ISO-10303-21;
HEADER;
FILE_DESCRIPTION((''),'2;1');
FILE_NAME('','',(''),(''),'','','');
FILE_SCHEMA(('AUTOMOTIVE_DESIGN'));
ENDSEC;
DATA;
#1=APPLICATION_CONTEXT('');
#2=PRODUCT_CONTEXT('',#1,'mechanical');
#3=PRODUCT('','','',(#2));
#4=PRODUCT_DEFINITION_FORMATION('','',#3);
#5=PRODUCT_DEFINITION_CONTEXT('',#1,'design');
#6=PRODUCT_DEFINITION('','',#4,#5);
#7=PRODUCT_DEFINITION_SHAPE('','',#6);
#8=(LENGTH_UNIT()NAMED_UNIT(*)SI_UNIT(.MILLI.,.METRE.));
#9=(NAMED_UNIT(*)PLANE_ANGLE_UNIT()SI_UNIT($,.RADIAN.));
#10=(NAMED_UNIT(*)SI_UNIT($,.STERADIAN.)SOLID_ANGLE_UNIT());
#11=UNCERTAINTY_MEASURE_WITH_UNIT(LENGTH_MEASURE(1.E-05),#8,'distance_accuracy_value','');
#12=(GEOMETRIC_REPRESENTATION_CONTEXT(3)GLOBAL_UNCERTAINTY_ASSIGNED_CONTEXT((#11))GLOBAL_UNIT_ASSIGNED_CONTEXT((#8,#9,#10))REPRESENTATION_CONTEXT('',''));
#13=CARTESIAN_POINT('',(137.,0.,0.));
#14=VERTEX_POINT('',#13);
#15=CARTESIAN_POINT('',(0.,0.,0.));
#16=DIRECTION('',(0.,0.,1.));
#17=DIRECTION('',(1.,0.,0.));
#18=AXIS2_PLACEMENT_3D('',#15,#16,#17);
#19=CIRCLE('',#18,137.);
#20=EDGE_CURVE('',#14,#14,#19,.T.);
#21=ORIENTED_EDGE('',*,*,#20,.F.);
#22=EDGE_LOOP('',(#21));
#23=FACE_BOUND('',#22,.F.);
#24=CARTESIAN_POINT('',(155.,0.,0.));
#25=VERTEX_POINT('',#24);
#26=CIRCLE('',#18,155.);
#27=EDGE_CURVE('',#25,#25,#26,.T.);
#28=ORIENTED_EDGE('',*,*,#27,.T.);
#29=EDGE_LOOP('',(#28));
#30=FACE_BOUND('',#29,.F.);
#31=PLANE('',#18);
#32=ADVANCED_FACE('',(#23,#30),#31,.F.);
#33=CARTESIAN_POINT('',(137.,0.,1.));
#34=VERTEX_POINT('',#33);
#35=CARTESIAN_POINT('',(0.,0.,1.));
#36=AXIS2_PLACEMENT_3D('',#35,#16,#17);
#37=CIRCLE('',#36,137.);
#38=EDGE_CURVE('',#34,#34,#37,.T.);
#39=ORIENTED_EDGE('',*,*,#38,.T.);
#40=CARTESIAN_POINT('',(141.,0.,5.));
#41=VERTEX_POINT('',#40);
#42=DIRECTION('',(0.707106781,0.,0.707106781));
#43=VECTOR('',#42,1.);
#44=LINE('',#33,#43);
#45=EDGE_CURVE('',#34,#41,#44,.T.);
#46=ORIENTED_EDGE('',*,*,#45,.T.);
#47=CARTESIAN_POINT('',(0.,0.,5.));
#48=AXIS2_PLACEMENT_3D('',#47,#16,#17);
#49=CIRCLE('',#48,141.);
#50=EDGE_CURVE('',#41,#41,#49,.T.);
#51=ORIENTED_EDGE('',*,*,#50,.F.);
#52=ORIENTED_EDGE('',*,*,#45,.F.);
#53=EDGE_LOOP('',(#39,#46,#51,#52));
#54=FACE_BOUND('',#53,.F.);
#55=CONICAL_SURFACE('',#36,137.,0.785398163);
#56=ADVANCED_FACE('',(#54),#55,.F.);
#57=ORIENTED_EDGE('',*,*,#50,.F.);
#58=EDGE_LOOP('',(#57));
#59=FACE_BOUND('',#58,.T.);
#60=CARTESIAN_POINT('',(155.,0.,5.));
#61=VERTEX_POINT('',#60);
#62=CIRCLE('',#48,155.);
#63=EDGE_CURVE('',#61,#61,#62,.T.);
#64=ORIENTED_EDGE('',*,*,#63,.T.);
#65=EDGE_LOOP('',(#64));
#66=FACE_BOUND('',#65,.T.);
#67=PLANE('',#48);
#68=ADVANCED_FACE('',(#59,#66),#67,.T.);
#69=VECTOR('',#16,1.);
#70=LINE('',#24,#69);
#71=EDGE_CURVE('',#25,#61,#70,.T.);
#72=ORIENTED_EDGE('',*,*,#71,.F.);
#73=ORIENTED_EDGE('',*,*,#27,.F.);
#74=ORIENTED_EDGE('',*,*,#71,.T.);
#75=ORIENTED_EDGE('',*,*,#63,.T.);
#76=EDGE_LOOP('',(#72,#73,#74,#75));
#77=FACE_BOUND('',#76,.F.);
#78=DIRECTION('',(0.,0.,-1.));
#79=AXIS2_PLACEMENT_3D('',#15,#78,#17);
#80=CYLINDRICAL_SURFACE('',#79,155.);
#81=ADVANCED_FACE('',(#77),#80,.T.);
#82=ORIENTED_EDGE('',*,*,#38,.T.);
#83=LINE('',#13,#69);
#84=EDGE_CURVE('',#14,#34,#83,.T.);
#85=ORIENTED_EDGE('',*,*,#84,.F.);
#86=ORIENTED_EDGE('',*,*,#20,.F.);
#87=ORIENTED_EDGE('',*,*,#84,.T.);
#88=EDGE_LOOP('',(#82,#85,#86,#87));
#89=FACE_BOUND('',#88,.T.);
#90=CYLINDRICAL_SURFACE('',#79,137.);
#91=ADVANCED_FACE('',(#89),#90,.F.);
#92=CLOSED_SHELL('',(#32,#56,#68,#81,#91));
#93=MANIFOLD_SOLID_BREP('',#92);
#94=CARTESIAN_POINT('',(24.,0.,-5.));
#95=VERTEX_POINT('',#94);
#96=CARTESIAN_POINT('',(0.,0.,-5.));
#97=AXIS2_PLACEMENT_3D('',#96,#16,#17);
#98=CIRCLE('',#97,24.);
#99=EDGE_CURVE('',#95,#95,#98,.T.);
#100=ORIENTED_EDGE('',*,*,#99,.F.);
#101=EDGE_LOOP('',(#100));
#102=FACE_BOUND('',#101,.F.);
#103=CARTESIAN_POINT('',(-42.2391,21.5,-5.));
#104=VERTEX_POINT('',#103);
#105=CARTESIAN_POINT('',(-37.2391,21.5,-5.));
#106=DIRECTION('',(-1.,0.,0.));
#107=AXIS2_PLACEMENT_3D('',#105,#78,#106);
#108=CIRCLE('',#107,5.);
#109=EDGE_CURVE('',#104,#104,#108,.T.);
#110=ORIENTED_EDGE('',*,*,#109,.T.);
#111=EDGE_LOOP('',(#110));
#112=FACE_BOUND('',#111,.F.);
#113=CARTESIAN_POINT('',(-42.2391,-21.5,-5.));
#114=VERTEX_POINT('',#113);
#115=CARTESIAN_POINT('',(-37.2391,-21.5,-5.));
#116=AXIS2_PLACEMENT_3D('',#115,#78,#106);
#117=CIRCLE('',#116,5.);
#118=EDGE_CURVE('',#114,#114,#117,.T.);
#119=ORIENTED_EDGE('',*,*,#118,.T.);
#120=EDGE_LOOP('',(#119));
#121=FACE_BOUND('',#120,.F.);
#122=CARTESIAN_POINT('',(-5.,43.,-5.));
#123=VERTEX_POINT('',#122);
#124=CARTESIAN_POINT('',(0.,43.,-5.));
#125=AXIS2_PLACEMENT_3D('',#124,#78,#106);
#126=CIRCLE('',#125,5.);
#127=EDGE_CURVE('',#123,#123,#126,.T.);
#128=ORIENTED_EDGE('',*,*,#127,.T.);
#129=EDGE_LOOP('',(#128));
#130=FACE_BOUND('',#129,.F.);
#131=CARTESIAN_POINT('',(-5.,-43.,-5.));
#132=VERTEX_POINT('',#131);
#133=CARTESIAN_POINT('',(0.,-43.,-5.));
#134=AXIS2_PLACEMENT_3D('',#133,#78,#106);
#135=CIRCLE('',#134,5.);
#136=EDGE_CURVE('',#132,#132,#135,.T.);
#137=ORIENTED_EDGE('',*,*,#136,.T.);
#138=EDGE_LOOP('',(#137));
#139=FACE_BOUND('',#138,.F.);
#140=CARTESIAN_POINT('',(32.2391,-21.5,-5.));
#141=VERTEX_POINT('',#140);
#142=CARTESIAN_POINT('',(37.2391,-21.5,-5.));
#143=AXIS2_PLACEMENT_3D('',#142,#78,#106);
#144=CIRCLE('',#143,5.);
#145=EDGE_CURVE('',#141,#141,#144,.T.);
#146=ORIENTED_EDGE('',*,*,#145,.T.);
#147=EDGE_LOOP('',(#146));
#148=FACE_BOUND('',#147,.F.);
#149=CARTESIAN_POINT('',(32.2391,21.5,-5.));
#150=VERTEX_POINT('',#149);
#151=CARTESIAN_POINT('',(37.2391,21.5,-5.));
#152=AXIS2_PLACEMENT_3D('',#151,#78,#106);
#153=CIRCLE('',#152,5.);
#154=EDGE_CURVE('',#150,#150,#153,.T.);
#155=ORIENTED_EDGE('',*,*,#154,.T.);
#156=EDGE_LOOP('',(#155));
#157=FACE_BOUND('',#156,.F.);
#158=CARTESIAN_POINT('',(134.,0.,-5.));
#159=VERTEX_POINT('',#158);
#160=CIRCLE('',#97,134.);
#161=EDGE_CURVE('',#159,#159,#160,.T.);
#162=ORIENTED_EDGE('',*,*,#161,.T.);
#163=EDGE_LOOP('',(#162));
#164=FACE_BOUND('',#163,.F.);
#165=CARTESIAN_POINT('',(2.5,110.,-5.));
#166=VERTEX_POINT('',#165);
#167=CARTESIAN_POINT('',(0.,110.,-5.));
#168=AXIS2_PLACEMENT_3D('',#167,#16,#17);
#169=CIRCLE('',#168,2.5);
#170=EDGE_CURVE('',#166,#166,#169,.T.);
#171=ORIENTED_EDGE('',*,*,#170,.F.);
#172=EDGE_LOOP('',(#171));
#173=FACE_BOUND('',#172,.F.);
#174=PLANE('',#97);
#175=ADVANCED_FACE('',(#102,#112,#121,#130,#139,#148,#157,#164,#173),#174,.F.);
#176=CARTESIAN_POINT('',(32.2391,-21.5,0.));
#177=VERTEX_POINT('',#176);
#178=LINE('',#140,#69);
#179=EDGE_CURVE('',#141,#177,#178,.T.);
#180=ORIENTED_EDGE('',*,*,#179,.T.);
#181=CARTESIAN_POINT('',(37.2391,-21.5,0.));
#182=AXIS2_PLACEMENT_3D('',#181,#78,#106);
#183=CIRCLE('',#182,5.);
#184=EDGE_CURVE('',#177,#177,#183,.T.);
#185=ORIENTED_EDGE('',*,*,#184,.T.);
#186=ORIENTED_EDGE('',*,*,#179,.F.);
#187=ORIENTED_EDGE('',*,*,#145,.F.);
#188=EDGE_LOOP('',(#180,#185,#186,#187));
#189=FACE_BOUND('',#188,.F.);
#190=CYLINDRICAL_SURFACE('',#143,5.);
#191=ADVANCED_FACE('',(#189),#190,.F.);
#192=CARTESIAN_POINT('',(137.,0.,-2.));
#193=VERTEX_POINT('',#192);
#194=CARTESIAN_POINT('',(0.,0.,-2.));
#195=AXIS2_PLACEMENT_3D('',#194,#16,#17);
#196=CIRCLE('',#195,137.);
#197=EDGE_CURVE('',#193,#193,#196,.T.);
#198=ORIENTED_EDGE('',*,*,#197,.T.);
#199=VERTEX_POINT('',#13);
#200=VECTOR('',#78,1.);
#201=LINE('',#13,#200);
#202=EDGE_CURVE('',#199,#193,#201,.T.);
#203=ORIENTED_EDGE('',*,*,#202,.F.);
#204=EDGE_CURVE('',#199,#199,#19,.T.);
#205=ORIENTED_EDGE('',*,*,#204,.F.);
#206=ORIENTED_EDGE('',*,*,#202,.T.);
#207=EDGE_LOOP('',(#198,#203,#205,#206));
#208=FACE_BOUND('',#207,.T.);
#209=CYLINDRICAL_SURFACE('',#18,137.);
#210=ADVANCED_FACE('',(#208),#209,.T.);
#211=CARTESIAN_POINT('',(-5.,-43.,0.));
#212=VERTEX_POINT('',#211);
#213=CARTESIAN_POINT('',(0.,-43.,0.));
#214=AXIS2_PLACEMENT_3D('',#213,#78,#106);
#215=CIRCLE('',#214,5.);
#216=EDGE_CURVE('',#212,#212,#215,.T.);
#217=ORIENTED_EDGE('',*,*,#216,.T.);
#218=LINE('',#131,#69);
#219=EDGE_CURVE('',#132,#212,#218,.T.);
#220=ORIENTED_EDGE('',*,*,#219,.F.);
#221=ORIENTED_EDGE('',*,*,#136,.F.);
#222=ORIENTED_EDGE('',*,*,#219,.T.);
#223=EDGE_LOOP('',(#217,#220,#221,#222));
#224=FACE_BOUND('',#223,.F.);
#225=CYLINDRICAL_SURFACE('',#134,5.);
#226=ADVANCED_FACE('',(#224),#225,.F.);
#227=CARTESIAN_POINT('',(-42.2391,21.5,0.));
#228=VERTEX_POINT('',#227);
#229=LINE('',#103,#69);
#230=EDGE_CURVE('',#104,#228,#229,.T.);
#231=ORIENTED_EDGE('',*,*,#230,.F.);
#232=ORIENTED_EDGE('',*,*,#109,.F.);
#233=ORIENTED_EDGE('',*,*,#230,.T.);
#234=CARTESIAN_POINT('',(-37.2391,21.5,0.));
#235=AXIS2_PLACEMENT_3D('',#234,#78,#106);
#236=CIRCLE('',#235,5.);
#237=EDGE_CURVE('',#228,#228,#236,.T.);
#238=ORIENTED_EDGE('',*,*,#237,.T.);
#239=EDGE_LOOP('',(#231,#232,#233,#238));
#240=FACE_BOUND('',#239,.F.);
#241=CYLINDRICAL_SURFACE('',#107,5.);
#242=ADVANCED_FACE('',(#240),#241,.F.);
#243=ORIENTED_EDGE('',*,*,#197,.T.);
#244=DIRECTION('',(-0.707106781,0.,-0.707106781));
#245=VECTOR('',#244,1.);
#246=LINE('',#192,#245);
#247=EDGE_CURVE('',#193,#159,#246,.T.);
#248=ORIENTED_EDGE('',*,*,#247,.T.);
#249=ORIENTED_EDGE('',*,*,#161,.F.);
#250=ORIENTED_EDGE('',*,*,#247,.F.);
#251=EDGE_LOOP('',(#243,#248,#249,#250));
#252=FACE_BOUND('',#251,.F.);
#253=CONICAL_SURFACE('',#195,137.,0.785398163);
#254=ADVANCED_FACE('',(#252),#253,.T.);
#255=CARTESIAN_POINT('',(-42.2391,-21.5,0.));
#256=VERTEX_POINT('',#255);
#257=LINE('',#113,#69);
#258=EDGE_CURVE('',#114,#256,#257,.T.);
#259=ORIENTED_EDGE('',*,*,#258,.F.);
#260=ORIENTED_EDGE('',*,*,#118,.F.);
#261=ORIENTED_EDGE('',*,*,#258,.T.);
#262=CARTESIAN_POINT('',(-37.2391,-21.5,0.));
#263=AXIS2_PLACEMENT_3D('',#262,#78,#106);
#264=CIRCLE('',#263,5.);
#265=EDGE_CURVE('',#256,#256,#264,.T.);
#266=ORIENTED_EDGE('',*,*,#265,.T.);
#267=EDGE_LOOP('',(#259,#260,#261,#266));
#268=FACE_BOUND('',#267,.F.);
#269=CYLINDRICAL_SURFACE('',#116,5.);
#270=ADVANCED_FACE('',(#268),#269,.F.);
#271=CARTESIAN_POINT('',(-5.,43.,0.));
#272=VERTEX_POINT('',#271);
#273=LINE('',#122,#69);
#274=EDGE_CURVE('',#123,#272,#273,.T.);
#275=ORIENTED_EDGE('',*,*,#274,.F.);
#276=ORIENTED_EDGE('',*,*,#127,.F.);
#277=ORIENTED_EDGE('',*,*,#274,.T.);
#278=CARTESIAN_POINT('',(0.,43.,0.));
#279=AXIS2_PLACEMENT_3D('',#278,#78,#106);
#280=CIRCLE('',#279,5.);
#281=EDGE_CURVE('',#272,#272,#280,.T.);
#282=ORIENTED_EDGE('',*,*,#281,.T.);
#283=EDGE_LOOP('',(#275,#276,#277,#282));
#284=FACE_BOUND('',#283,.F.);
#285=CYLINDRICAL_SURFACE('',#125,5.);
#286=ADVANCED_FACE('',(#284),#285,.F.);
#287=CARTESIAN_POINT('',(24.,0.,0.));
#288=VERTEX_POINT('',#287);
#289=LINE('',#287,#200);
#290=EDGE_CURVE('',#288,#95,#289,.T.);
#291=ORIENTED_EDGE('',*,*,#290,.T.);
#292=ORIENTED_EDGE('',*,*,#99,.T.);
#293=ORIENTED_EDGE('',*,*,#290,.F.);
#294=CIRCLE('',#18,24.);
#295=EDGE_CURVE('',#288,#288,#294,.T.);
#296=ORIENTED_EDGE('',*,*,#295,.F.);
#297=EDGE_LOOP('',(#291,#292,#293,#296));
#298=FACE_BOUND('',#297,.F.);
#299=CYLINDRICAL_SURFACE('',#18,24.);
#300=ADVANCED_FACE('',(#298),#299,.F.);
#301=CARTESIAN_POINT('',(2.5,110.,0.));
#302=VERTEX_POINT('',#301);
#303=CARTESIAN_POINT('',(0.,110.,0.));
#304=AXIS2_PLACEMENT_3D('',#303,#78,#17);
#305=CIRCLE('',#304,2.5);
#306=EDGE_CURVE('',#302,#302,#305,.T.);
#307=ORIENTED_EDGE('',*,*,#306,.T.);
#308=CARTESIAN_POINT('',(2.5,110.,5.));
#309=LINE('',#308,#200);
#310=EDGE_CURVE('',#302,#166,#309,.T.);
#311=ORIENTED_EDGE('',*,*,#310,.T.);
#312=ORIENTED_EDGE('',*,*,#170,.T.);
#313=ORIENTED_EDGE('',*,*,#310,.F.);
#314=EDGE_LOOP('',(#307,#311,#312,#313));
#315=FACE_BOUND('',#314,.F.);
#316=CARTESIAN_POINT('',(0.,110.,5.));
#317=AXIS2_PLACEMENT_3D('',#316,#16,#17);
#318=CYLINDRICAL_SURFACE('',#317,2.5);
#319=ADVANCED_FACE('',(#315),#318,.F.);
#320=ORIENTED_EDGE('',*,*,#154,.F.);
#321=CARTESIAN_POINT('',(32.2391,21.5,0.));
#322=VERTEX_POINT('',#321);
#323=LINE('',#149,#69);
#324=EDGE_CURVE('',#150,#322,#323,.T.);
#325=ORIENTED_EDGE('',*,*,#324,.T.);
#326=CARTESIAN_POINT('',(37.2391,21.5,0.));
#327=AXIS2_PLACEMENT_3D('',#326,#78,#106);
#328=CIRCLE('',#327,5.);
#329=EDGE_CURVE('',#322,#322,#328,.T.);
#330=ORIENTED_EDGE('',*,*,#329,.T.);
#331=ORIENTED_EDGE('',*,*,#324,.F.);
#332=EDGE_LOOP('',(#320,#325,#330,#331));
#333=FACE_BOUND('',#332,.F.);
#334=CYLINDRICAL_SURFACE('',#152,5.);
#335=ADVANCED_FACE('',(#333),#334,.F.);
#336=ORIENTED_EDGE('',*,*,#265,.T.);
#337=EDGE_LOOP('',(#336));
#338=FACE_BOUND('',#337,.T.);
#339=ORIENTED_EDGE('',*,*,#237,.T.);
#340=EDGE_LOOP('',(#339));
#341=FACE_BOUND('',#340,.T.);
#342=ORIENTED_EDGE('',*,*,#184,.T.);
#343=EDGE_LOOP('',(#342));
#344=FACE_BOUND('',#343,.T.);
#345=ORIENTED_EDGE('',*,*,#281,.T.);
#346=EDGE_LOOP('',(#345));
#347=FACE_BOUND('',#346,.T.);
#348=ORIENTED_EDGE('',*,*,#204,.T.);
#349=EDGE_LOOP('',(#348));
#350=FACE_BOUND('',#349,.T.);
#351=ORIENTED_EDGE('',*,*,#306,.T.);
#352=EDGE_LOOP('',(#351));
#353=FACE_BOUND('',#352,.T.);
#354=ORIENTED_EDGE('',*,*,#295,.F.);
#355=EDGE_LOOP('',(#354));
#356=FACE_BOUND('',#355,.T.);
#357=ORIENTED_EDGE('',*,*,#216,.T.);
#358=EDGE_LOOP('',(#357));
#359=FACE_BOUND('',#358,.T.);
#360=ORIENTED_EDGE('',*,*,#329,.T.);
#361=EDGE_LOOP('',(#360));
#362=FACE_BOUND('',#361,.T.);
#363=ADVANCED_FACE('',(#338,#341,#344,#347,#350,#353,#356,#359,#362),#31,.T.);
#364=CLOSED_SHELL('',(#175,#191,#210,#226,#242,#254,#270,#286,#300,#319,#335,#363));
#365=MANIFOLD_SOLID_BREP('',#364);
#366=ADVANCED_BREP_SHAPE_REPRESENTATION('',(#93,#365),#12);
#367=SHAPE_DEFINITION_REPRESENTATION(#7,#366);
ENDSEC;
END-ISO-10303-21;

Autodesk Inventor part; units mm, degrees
ref_plane "YZ Plane" through (0, 0, 0) normal (1, 0, 0) x (0, 1, 0)
ref_plane "XZ Plane" through (0, 0, 0) normal (0, 1, 0) x (-1, 0, 0)
sketch "Sketch1" plane through (0, 0, 0) normal (0, 0, 1) x (1, 0, 0)
  circle A0 centre (0, 0) radius 155
  circle A1 centre (0, 0) radius 24
  circle A2 centre (0, 0) radius 137
  dimension "d0" = 310
  dimension "d1" = 48
  dimension "d2" = 274
extrude "Extrusion1" add sketch "Sketch1" along normal blind 5 contours A0 | A2
extrude "Extrusion2" cut sketch "Sketch1" along normal blind 5 contours A2
extrude "Extrusion3" add sketch "Sketch1" against normal blind 5 contours A2
chamfer "Chamfer1" distance 3 angle 45 1 edges at (-137, 0, -5)
chamfer "Chamfer2" distance 4 angle 45 1 edges at (-137, 0, 5)
sketch "Sketch2" plane through (0, 0, -5) normal (0, 0, -1) x (-1, 0, 0)
  circle A0 centre (0, 43) radius 5
  circle A1 centre (-37.2391, 21.5) radius 5
  circle A2 centre (-37.2391, -21.5) radius 5
  circle A3 centre (0, -43) radius 5
  circle A4 centre (37.2391, -21.5) radius 5
  circle A5 centre (37.2391, 21.5) radius 5
  point P0 (0, 0)
  point P1 (0, 0)
  point P2 (0, 0)
  point P3 (0, 0)
  point P4 (0, 0)
  point P5 (0, 0)
  point P6 (0, 0)
  point P7 (0, 0)
  point P8 (0, 0)
  point P9 (0, 0)
  point P10 (0, 0)
  point P11 (0, 0)
  dimension "d17" = 10
  dimension "d18" = 43
  dimension "d21" = 360
extrude "Extrusion4" cut sketch "Sketch2" against normal blind 5
sketch "Sketch3" plane through (0, 0, -5) normal (0, 0, -1) x (-1, 0, 0)
  point P0 (0, 0)
ref_plane "Work Plane1" through (0, 0, 5) normal (0, 0, 1) x (1, 0, 0)
sketch "Sketch5" plane through (0, 0, 5) normal (0, 0, 1) x (1, 0, 0)
  circle A0 centre (0, 110) radius 2.5
  circle A1 centre (0, 0) radius 155 projected
  line L0 (0, 155) -> (0, 110)
  dimension "d31" = 5
  dimension "d32" = 45
extrude "Extrusion6" cut sketch "Sketch5" against normal blind 10 contours A0
properties part number "DiskForBrakes" material "Steel, Alloy"
